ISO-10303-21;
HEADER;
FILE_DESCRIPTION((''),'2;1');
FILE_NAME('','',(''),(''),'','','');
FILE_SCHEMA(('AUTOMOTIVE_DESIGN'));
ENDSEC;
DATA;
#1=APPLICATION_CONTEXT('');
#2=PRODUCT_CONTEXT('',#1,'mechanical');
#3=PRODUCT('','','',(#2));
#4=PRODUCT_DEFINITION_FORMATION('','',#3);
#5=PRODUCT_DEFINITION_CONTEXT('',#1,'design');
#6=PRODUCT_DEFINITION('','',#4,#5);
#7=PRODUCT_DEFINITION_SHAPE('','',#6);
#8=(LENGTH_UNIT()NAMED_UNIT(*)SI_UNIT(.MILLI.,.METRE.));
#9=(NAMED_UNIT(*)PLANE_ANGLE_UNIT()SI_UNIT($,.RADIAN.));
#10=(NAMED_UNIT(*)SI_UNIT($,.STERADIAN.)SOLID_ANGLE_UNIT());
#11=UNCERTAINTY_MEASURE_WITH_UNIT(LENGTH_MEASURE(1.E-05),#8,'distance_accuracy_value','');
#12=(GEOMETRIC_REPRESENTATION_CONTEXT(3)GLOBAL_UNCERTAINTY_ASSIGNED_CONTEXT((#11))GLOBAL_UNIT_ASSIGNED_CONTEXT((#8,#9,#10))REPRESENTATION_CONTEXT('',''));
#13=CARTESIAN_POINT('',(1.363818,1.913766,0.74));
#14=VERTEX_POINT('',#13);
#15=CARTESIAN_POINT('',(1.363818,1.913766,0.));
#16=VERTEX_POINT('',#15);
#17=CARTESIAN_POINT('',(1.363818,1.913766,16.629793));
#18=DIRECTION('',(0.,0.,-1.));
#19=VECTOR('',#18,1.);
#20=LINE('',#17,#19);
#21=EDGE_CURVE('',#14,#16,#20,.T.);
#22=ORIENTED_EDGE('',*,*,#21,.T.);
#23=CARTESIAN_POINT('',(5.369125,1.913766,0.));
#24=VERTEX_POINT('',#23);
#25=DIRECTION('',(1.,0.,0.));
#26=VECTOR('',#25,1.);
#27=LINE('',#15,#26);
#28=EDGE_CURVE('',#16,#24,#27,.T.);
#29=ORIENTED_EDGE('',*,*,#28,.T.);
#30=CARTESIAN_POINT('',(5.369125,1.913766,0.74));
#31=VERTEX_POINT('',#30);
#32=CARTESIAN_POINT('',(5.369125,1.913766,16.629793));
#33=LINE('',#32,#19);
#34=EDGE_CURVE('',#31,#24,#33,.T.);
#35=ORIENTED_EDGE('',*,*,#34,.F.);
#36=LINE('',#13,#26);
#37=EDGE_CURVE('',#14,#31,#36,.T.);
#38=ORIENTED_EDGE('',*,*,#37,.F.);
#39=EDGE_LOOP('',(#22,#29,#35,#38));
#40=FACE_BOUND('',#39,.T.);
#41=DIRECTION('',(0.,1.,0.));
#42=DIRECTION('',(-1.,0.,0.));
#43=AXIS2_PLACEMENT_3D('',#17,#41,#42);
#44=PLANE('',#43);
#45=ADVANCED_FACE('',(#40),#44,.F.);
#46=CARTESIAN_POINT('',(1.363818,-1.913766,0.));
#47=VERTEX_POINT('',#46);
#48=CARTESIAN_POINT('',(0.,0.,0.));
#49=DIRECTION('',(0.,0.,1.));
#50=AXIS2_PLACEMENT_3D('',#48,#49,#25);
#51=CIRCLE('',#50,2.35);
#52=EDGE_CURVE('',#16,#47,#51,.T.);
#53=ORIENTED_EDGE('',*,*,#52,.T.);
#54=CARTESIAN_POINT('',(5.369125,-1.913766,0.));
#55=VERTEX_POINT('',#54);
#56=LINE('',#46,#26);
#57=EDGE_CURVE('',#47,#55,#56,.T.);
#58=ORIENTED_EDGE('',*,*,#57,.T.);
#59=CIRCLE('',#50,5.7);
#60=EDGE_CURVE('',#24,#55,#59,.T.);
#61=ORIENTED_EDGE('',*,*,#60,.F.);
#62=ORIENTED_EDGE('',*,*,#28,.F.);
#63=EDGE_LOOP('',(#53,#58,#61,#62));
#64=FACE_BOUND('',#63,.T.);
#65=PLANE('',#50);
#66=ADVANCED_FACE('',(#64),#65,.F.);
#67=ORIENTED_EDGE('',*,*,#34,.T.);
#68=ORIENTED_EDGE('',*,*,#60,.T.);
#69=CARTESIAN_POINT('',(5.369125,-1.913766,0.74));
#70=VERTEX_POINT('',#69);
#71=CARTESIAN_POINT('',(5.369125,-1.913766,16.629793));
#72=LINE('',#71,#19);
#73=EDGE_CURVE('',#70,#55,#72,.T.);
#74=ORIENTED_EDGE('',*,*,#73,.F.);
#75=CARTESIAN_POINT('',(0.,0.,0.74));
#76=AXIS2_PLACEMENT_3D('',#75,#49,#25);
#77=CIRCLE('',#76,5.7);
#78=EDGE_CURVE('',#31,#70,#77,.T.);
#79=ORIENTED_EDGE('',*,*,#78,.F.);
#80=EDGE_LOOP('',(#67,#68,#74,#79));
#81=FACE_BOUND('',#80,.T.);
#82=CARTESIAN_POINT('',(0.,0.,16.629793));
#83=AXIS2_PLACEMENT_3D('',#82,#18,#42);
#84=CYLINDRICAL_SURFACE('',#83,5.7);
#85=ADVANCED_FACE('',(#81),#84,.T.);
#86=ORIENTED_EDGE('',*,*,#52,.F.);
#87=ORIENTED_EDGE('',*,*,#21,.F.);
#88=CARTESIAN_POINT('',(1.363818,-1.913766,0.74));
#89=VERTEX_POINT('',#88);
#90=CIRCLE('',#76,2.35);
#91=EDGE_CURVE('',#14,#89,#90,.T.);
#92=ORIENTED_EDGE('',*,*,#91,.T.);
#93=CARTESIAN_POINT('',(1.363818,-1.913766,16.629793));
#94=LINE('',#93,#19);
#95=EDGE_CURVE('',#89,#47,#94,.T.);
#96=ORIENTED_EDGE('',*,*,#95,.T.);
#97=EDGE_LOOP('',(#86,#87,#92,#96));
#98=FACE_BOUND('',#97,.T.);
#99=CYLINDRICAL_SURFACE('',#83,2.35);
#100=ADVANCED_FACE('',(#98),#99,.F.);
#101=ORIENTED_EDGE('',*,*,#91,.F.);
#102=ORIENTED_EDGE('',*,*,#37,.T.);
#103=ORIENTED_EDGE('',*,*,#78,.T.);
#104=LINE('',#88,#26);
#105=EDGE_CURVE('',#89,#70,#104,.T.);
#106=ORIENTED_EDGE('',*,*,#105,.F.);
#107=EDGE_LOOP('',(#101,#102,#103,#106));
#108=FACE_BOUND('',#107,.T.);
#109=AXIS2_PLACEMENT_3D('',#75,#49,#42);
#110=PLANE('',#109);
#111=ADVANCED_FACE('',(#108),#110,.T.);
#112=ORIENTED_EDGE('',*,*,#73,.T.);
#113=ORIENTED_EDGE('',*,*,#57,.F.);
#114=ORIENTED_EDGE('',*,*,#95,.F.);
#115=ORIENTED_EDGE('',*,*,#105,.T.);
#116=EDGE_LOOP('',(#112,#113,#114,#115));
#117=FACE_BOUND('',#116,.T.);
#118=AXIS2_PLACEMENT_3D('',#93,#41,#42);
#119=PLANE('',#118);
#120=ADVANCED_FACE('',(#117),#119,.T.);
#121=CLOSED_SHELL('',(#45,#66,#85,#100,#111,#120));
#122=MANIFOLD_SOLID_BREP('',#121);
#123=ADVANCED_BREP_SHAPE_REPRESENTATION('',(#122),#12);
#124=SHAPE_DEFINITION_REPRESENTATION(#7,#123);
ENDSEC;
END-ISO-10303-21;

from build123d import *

# Parameters (mm, degrees)
BASE_EXTRUDE_DEPTH = 0.74


with BuildPart() as part:
    # Sketch1 → Base-Extrude (new body)
    with BuildSketch(Plane.XY):
        with BuildLine():
            Line((1.36381817, 1.913765921), (5.369124696, 1.913765921))
            ThreePointArc((5.369124696, 1.913765921), (-5.7, 0), (5.369124696, -1.913765921))
            Line((5.369124696, -1.913765921), (1.36381817, -1.913765921))
            ThreePointArc((1.36381817, -1.913765921), (-2.35, 0), (1.36381817, 1.913765921))
        make_face()
    extrude(amount=BASE_EXTRUDE_DEPTH)


solid = part.part
